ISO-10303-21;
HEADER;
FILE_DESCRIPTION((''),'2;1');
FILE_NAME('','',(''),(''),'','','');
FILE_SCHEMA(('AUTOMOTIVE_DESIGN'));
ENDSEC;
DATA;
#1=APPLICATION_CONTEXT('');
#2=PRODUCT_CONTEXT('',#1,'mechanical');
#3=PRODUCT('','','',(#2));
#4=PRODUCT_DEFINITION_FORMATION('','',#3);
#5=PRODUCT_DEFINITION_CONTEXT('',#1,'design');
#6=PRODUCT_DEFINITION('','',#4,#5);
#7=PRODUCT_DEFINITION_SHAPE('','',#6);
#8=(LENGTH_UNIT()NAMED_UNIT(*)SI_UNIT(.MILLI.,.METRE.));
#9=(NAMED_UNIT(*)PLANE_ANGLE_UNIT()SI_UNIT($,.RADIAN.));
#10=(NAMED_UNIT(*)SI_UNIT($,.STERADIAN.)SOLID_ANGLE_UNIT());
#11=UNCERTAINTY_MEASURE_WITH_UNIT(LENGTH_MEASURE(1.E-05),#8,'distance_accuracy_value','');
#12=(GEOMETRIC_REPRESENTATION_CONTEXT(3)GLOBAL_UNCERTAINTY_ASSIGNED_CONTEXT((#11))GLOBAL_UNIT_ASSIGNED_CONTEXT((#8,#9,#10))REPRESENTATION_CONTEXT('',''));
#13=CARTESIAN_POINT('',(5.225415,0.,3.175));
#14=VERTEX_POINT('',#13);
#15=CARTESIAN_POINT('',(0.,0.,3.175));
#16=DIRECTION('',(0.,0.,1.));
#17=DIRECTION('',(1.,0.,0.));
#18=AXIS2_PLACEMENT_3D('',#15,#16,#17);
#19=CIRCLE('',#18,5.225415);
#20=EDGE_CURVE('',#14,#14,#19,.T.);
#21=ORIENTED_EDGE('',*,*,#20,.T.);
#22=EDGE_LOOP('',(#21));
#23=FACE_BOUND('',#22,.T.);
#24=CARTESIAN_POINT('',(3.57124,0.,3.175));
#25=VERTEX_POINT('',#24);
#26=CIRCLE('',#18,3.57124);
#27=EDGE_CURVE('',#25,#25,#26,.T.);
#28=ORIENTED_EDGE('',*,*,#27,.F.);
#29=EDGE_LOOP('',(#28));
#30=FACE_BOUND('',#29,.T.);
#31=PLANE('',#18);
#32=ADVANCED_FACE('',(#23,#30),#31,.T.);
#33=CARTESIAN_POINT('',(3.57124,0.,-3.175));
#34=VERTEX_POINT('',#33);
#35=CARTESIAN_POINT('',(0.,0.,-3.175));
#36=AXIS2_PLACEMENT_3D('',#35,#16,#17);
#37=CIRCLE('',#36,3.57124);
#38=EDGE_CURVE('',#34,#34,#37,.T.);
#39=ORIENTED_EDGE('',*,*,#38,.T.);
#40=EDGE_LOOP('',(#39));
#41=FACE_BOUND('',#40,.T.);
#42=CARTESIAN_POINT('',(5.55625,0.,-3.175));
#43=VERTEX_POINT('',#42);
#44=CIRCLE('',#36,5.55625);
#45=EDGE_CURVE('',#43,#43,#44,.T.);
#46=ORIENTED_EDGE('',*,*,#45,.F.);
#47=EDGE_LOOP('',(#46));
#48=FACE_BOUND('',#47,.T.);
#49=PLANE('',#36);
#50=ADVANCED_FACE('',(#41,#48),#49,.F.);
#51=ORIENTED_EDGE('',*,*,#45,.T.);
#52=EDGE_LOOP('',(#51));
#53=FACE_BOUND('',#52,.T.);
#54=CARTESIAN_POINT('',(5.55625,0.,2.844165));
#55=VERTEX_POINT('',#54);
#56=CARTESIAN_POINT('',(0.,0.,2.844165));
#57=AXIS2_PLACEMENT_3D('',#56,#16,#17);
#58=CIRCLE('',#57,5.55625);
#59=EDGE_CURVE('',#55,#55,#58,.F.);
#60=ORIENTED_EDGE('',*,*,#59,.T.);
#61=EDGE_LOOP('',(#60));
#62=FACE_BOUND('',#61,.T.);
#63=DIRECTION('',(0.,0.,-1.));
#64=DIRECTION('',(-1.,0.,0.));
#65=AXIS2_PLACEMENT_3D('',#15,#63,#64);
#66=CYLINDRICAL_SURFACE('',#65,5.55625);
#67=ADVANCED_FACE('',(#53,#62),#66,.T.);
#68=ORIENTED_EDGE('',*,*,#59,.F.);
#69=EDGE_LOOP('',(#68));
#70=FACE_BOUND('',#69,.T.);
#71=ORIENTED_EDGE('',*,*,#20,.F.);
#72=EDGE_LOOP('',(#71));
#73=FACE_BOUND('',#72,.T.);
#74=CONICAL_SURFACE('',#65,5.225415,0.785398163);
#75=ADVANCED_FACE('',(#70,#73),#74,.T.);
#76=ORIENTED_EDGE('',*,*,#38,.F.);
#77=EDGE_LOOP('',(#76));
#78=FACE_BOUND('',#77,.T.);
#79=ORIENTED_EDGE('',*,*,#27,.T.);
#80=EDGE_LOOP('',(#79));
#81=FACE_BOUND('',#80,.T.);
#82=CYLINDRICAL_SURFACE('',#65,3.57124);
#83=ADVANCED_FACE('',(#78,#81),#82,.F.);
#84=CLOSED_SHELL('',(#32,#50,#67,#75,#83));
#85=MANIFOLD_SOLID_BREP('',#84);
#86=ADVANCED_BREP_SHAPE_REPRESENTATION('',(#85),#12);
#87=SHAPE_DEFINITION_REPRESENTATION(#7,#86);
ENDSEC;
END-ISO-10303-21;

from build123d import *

# Parameters (mm, degrees)
SKETCH1_R      = 5.55625
SKETCH1_R_2    = 3.57124
EXTRUDE1_DEPTH = 3.175
CHAMFER1_SIZE  = 0.330835


with BuildPart() as part:
    # Sketch1 → Extrude1 (new, symmetric)
    with BuildSketch(Plane.XY):
        Circle(SKETCH1_R)
        Circle(SKETCH1_R_2, mode=Mode.SUBTRACT)
    extrude(amount=EXTRUDE1_DEPTH, both=True)

    # Chamfer1
    chamfer1_edges = [part.edges().sort_by_distance(p)[0] for p in [
        (-5.55625, 0, 3.175),
    ]]
    chamfer(chamfer1_edges, length=CHAMFER1_SIZE)


solid = part.part
